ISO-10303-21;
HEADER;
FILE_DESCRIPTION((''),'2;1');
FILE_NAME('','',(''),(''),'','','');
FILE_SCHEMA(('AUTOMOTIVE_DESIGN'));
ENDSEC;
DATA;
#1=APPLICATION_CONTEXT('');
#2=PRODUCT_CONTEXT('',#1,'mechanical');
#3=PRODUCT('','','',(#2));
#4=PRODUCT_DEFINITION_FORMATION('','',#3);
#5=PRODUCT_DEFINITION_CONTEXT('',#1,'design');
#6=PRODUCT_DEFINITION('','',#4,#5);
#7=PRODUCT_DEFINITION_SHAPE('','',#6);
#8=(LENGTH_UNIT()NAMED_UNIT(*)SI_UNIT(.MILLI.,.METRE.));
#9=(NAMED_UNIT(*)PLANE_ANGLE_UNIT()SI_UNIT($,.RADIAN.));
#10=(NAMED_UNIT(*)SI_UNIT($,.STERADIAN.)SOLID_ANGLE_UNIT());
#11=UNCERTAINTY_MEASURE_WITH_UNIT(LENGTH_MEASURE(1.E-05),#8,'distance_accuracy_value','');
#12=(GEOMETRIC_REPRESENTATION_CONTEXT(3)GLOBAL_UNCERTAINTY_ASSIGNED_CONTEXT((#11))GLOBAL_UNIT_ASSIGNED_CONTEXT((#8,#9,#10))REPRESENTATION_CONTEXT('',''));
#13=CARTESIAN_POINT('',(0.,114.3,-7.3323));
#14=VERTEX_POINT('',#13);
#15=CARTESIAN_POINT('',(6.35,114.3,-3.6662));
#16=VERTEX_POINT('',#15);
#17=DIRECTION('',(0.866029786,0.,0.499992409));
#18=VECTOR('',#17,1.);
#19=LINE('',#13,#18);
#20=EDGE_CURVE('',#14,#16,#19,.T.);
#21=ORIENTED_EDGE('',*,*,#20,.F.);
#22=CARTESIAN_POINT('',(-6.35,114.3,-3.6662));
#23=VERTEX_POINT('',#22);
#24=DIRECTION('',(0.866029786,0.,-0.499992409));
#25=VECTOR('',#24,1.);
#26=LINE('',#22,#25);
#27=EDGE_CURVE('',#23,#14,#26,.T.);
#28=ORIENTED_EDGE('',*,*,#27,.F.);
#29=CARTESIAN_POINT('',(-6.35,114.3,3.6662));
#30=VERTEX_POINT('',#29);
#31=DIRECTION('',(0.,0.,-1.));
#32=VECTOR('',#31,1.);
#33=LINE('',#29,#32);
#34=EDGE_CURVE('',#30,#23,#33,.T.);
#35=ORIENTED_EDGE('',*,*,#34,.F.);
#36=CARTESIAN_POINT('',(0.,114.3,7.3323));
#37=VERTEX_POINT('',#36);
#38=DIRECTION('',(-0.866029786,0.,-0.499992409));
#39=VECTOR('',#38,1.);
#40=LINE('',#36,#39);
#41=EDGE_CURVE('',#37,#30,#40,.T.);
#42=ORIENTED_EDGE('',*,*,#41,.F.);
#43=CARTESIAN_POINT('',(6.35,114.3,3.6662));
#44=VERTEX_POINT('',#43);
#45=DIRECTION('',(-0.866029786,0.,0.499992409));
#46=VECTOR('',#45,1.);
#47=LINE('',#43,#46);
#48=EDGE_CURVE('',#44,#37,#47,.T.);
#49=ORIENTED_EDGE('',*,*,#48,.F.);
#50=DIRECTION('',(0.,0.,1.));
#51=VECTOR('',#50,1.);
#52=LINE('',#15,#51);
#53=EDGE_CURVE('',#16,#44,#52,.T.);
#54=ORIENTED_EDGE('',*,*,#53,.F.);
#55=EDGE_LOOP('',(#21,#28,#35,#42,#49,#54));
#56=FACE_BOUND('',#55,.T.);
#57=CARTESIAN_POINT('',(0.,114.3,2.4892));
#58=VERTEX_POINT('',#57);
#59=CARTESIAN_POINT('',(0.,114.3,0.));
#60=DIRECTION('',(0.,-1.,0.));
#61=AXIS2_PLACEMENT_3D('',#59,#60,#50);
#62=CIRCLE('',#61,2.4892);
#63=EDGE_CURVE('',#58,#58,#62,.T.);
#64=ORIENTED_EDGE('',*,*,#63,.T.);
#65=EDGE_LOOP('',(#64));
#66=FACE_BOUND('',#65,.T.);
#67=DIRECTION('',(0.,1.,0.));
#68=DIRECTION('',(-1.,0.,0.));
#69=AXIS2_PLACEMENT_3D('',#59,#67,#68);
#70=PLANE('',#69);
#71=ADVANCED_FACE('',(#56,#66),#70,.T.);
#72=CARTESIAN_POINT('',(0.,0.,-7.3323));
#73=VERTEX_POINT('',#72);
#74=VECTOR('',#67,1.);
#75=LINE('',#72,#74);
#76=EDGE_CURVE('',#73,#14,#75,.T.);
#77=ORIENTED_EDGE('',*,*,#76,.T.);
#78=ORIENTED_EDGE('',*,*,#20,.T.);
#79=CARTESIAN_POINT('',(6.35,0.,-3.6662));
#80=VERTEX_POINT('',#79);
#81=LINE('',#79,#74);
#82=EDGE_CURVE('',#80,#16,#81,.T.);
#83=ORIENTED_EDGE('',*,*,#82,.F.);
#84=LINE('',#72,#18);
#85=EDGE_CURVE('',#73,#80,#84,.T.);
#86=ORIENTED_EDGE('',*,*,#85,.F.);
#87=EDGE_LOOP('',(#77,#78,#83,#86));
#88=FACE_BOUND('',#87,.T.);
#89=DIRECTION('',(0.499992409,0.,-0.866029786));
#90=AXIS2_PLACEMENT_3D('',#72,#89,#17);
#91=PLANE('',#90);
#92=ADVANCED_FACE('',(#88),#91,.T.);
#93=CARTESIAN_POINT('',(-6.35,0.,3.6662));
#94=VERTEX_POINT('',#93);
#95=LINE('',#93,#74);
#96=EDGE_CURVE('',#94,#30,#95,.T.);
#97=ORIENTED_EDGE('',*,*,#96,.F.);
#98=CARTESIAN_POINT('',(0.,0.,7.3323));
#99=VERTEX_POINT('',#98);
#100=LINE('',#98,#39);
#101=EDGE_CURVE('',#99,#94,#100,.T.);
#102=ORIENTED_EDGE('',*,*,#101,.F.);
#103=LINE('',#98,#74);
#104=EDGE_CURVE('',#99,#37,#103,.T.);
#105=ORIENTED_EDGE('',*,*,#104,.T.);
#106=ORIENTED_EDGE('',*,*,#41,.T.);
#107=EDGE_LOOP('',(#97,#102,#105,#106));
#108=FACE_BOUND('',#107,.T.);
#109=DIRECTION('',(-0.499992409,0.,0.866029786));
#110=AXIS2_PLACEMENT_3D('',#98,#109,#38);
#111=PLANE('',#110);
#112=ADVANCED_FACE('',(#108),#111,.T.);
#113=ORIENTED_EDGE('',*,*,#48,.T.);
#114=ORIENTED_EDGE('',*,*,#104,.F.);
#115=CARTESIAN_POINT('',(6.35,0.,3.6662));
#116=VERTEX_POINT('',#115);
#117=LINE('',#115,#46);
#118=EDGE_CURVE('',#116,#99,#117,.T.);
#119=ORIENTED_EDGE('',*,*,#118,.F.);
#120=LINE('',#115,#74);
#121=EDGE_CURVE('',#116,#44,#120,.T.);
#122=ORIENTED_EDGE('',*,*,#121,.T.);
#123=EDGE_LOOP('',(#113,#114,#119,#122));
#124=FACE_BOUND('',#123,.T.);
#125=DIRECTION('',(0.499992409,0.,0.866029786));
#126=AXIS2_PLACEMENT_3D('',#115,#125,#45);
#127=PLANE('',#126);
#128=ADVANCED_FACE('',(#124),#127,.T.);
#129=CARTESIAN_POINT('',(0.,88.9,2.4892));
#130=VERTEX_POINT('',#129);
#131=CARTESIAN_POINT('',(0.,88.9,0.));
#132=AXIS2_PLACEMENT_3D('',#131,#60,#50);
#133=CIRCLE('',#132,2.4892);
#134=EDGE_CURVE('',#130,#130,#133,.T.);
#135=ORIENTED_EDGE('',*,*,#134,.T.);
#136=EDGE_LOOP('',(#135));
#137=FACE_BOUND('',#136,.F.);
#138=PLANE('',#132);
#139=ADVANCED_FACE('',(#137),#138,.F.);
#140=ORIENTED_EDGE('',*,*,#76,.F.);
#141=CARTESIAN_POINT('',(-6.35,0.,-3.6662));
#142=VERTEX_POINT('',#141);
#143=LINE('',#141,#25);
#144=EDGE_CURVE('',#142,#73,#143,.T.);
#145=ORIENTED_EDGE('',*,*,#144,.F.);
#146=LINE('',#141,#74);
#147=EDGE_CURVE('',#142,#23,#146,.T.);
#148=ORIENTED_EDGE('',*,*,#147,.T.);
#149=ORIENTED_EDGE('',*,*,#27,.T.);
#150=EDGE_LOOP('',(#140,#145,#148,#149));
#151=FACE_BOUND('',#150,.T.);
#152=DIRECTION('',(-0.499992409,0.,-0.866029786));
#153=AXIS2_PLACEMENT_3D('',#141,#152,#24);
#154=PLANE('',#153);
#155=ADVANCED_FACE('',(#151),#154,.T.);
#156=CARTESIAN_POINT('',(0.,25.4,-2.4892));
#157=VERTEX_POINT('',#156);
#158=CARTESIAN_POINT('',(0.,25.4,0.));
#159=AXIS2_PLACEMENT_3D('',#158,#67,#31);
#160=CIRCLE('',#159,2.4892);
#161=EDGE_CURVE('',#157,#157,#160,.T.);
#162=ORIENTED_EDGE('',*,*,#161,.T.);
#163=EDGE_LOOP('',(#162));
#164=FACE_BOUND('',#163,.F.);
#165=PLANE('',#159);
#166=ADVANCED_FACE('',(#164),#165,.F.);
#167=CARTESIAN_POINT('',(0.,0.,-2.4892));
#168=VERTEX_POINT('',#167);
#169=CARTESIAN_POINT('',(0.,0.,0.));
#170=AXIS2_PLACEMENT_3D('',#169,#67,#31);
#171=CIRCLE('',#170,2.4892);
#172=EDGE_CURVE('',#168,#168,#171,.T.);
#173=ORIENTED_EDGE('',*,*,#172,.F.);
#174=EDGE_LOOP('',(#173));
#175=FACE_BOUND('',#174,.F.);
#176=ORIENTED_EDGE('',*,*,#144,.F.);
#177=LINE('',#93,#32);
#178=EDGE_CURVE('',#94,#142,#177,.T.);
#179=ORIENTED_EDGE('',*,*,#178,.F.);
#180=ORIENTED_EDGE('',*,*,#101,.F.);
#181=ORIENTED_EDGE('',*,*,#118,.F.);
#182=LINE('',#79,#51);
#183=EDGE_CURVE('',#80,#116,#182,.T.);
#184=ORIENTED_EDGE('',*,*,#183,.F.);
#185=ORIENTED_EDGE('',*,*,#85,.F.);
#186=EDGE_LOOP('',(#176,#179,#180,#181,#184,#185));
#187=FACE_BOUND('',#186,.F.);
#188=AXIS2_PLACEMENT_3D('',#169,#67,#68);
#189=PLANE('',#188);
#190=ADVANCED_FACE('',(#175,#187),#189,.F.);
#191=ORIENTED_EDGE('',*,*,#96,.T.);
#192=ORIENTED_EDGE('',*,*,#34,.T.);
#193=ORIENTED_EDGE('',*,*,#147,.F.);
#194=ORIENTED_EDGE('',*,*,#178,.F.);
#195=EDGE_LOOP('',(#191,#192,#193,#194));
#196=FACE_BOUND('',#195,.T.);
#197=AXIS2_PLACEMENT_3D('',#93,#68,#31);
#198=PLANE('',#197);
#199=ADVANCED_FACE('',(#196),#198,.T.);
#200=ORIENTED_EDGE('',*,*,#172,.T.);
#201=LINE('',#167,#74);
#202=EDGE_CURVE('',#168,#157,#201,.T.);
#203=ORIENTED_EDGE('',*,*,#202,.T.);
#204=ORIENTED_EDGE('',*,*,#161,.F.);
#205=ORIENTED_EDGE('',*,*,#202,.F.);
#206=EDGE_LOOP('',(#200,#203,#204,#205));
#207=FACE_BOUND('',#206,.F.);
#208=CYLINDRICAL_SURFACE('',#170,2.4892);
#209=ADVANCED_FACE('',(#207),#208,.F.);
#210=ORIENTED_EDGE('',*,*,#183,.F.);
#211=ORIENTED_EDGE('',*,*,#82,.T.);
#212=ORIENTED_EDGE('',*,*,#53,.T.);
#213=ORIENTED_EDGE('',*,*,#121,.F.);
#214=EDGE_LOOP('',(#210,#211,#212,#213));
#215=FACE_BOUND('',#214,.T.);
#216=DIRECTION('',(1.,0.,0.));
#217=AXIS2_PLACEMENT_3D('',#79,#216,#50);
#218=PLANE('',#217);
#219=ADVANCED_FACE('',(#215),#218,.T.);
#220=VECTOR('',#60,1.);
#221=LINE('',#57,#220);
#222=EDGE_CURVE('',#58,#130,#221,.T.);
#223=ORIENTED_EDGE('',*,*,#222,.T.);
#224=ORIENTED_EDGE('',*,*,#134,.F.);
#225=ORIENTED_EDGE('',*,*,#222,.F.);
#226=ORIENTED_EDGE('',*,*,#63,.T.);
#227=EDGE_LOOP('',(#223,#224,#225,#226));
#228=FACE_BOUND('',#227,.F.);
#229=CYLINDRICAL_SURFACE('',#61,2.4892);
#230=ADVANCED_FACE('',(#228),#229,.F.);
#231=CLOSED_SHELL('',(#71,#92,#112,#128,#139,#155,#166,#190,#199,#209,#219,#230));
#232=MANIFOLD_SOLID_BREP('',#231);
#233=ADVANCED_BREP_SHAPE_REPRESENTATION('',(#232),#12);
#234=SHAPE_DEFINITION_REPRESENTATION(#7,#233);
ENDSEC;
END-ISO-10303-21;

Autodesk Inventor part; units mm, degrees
ref_plane "YZ Plane" through (0, 0, 0) normal (1, 0, 0) x (0, 1, 0)
ref_plane "XZ Plane" through (0, 0, 0) normal (0, 1, 0) x (-1, 0, 0)
ref_plane "XY Plane" through (0, 0, 0) normal (0, 0, 1) x (1, 0, 0)
sketch "Sketch1" plane through (0, 0, 0) normal (0, 1, 0) x (-1, 0, 0)
  line L0 (6.35, -3.6662) -> (0, -7.3323)
  line L1 (0, -7.3323) -> (-6.35, -3.6662)
  line L2 (-6.35, -3.6662) -> (-6.35, 3.6662)
  line L3 (-6.35, 3.6662) -> (0, 7.3323)
  line L4 (0, 7.3323) -> (6.35, 3.6662)
  line L5 (6.35, 3.6662) -> (6.35, -3.6662)
  point P0 (0, 0)
  point P1 (0, 0)
  point P2 (0, 0)
  dimension "d0" = 12.7
extrude "Extrusion1" add sketch "Sketch1" along normal blind 114.3
sketch "Sketch2" plane through (0, 0, 0) normal (0, -1, 0) x (1, 0, 0)
  point P0 (0, 0)
  point P1 (0, 0)
hole "Hole1" at (0, 0, 0) direction (0, 1, 0) diameter 4.9784 depth 25.4 thread size "1/4-20 UNC" class "2B" standard "ANSI Unified Screw Threads"
sketch "Sketch3" plane through (0, 114.3, 0) normal (0, 1, 0) x (1, 0, 0)
  point P0 (0, 0)
  point P1 (0, 0)
hole "Hole2" at (0, 114.3, 0) direction (0, -1, 0) diameter 4.9784 depth 25.4 thread size "1/4-20 UNC" class "2B" standard "ANSI Unified Screw Threads"
properties part number "SHOT_1_003_Hexshaft1" material "Aluminum 6061"
